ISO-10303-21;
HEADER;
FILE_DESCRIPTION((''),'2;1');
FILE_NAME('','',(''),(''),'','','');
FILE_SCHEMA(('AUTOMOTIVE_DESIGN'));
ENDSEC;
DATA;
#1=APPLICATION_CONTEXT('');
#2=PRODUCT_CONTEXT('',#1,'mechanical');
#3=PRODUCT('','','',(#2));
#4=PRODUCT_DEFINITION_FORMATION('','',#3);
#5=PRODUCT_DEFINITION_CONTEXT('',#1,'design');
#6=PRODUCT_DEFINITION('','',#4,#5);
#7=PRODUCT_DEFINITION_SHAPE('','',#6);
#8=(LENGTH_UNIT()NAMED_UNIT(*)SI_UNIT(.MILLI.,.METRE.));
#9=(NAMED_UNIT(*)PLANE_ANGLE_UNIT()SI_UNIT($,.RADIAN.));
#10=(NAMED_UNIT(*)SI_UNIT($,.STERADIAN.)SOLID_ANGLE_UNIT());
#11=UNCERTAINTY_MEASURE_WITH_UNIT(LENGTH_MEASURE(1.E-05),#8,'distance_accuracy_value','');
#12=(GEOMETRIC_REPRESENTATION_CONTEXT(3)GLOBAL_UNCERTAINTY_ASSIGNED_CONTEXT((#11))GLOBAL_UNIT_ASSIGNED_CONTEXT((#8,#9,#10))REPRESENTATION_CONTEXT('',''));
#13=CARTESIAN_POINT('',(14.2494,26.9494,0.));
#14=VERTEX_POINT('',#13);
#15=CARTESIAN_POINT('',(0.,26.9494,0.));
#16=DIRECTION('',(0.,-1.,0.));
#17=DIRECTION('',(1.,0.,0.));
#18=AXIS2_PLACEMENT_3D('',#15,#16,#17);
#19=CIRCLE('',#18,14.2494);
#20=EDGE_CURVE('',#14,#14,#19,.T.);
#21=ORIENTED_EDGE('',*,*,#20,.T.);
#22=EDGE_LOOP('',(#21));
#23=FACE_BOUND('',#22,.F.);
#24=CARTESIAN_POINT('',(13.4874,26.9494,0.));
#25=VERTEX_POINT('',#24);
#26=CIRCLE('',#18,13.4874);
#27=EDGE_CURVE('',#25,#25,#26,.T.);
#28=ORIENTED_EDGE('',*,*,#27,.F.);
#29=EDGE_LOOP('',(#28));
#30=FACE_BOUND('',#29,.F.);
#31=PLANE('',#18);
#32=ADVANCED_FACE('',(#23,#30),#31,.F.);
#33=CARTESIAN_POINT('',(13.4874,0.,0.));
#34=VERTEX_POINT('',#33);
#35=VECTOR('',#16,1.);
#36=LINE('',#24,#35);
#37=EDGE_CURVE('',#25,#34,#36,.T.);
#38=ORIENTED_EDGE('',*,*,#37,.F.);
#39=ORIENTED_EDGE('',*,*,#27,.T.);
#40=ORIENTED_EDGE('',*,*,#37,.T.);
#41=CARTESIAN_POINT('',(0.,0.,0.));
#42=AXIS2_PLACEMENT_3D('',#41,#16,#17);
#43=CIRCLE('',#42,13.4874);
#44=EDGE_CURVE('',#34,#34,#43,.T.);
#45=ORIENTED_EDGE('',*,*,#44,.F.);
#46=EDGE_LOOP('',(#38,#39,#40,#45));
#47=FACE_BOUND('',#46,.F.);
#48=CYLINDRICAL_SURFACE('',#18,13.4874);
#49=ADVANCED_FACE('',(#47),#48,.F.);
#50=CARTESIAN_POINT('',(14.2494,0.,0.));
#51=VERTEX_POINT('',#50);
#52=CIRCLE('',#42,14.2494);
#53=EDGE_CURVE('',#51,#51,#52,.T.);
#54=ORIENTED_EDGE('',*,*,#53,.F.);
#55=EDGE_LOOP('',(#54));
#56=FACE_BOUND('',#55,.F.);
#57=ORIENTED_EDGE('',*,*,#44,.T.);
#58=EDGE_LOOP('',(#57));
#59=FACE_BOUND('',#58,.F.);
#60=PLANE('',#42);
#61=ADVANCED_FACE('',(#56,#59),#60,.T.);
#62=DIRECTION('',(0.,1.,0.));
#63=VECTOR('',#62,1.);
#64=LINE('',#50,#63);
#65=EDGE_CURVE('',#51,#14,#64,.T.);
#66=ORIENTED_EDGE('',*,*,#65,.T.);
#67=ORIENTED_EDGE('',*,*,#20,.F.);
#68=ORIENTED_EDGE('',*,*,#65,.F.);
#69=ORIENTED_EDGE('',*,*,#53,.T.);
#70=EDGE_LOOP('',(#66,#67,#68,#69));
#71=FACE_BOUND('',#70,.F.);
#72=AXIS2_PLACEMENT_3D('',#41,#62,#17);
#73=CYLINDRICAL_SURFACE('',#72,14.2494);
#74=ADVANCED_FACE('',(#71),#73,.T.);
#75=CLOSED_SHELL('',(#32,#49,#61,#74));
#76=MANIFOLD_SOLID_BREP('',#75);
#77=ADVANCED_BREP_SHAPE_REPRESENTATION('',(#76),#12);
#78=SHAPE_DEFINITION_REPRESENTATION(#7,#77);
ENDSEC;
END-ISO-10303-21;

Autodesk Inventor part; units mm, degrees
sketch "Sketch_4" plane through (0, 0, 0) normal (0, 0, 1) x (1, 0, 0)
  line L0 (0, 0) -> (0, 26.9494)
  line L1 (13.4874, 26.9494) -> (13.4874, 0)
  line L2 (13.4874, 0) -> (14.2494, 0)
  line L3 (14.2494, 0) -> (14.2494, 26.9494)
  line L4 (14.2494, 26.9494) -> (13.4874, 26.9494)
revolve "Revolution1" add sketch "Sketch_4" angle 360 about axis through (0, 0, 0) along (0, -1, 0)
ref_plane "rod_to_part_XY" through (0, 13.4747, 0) normal (0, 1, 0) x (1, 0, 0)
ref_plane "rod_to_part_YZ" through (0, 13.4747, 0) normal (1, 0, 0) x (0, 0, -1)
ref_plane "rod_to_part_ZX" through (0, 13.4747, 0) normal (0, 0, -1) x (0, 1, 0)
ref_plane "to_road_XY" through (0, 13.4747, 0) normal (0, 1, 0) x (1, 0, 0)
ref_plane "to_road_YZ" through (0, 13.4747, 0) normal (1, 0, 0) x (0, 0, -1)
ref_plane "to_road_ZX" through (0, 13.4747, 0) normal (0, 0, -1) x (0, 1, 0)
ref_plane "track1_XY" through (-14.2494, 21.4122, 0) normal (0, 1, 0) x (1, 0, 0)
ref_plane "track1_YZ" through (-14.2494, 21.4122, 0) normal (1, 0, 0) x (0, 0, -1)
ref_plane "track1_ZX" through (-14.2494, 21.4122, 0) normal (0, 0, -1) x (0, 1, 0)
ref_plane "track1_u_XY" through (-14.2494, 5.5372, 0) normal (0, 1, 0) x (1, 0, 0)
ref_plane "track1_u_YZ" through (-14.2494, 5.5372, 0) normal (1, 0, 0) x (0, 0, -1)
ref_plane "track1_u_ZX" through (-14.2494, 5.5372, 0) normal (0, 0, -1) x (0, 1, 0)
ref_plane "track2_XY" through (0, 21.4122, -14.2494) normal (0, 1, 0) x (1, 0, 0)
ref_plane "track2_YZ" through (0, 21.4122, -14.2494) normal (1, 0, 0) x (0, 0, -1)
ref_plane "track2_ZX" through (0, 21.4122, -14.2494) normal (0, 0, -1) x (0, 1, 0)
ref_plane "track2_u_XY" through (0, 5.5372, -14.2494) normal (0, 1, 0) x (1, 0, 0)
ref_plane "track2_u_YZ" through (0, 5.5372, -14.2494) normal (1, 0, 0) x (0, 0, -1)
ref_plane "track2_u_ZX" through (0, 5.5372, -14.2494) normal (0, 0, -1) x (0, 1, 0)
ref_plane "track3_XY" through (14.2494, 21.4122, 0) normal (0, 1, 0) x (1, 0, 0)
ref_plane "track3_YZ" through (14.2494, 21.4122, 0) normal (1, 0, 0) x (0, 0, -1)
ref_plane "track3_ZX" through (14.2494, 21.4122, 0) normal (0, 0, -1) x (0, 1, 0)
ref_plane "track3_u_XY" through (14.2494, 5.5372, 0) normal (0, 1, 0) x (1, 0, 0)
ref_plane "track3_u_YZ" through (14.2494, 5.5372, 0) normal (1, 0, 0) x (0, 0, -1)
ref_plane "track3_u_ZX" through (14.2494, 5.5372, 0) normal (0, 0, -1) x (0, 1, 0)
ref_plane "track4_XY" through (0, 21.4122, 14.2494) normal (0, 1, 0) x (1, 0, 0)
ref_plane "track4_YZ" through (0, 21.4122, 14.2494) normal (1, 0, 0) x (0, 0, -1)
ref_plane "track4_ZX" through (0, 21.4122, 14.2494) normal (0, 0, -1) x (0, 1, 0)
ref_plane "track4_u_XY" through (0, 5.5372, 14.2494) normal (0, 1, 0) x (1, 0, 0)
ref_plane "track4_u_YZ" through (0, 5.5372, 14.2494) normal (1, 0, 0) x (0, 0, -1)
ref_plane "track4_u_ZX" through (0, 5.5372, 14.2494) normal (0, 0, -1) x (0, 1, 0)
ref_plane "tube_rear_XY" through (0, 26.9494, 0) normal (0, 1, 0) x (1, 0, 0)
ref_plane "tube_rear_YZ" through (0, 26.9494, 0) normal (1, 0, 0) x (0, 0, -1)
ref_plane "tube_rear_ZX" through (0, 26.9494, 0) normal (0, 0, -1) x (0, 1, 0)
ref_plane "tube_rod_guide_XY" through (0, 0, 0) normal (0, 1, 0) x (1, 0, 0)
ref_plane "tube_rod_guide_YZ" through (0, 0, 0) normal (1, 0, 0) x (0, 0, -1)
ref_plane "tube_rod_guide_ZX" through (0, 0, 0) normal (0, 0, -1) x (0, 1, 0)
properties part number "091.061-FO1_BM_tube"
